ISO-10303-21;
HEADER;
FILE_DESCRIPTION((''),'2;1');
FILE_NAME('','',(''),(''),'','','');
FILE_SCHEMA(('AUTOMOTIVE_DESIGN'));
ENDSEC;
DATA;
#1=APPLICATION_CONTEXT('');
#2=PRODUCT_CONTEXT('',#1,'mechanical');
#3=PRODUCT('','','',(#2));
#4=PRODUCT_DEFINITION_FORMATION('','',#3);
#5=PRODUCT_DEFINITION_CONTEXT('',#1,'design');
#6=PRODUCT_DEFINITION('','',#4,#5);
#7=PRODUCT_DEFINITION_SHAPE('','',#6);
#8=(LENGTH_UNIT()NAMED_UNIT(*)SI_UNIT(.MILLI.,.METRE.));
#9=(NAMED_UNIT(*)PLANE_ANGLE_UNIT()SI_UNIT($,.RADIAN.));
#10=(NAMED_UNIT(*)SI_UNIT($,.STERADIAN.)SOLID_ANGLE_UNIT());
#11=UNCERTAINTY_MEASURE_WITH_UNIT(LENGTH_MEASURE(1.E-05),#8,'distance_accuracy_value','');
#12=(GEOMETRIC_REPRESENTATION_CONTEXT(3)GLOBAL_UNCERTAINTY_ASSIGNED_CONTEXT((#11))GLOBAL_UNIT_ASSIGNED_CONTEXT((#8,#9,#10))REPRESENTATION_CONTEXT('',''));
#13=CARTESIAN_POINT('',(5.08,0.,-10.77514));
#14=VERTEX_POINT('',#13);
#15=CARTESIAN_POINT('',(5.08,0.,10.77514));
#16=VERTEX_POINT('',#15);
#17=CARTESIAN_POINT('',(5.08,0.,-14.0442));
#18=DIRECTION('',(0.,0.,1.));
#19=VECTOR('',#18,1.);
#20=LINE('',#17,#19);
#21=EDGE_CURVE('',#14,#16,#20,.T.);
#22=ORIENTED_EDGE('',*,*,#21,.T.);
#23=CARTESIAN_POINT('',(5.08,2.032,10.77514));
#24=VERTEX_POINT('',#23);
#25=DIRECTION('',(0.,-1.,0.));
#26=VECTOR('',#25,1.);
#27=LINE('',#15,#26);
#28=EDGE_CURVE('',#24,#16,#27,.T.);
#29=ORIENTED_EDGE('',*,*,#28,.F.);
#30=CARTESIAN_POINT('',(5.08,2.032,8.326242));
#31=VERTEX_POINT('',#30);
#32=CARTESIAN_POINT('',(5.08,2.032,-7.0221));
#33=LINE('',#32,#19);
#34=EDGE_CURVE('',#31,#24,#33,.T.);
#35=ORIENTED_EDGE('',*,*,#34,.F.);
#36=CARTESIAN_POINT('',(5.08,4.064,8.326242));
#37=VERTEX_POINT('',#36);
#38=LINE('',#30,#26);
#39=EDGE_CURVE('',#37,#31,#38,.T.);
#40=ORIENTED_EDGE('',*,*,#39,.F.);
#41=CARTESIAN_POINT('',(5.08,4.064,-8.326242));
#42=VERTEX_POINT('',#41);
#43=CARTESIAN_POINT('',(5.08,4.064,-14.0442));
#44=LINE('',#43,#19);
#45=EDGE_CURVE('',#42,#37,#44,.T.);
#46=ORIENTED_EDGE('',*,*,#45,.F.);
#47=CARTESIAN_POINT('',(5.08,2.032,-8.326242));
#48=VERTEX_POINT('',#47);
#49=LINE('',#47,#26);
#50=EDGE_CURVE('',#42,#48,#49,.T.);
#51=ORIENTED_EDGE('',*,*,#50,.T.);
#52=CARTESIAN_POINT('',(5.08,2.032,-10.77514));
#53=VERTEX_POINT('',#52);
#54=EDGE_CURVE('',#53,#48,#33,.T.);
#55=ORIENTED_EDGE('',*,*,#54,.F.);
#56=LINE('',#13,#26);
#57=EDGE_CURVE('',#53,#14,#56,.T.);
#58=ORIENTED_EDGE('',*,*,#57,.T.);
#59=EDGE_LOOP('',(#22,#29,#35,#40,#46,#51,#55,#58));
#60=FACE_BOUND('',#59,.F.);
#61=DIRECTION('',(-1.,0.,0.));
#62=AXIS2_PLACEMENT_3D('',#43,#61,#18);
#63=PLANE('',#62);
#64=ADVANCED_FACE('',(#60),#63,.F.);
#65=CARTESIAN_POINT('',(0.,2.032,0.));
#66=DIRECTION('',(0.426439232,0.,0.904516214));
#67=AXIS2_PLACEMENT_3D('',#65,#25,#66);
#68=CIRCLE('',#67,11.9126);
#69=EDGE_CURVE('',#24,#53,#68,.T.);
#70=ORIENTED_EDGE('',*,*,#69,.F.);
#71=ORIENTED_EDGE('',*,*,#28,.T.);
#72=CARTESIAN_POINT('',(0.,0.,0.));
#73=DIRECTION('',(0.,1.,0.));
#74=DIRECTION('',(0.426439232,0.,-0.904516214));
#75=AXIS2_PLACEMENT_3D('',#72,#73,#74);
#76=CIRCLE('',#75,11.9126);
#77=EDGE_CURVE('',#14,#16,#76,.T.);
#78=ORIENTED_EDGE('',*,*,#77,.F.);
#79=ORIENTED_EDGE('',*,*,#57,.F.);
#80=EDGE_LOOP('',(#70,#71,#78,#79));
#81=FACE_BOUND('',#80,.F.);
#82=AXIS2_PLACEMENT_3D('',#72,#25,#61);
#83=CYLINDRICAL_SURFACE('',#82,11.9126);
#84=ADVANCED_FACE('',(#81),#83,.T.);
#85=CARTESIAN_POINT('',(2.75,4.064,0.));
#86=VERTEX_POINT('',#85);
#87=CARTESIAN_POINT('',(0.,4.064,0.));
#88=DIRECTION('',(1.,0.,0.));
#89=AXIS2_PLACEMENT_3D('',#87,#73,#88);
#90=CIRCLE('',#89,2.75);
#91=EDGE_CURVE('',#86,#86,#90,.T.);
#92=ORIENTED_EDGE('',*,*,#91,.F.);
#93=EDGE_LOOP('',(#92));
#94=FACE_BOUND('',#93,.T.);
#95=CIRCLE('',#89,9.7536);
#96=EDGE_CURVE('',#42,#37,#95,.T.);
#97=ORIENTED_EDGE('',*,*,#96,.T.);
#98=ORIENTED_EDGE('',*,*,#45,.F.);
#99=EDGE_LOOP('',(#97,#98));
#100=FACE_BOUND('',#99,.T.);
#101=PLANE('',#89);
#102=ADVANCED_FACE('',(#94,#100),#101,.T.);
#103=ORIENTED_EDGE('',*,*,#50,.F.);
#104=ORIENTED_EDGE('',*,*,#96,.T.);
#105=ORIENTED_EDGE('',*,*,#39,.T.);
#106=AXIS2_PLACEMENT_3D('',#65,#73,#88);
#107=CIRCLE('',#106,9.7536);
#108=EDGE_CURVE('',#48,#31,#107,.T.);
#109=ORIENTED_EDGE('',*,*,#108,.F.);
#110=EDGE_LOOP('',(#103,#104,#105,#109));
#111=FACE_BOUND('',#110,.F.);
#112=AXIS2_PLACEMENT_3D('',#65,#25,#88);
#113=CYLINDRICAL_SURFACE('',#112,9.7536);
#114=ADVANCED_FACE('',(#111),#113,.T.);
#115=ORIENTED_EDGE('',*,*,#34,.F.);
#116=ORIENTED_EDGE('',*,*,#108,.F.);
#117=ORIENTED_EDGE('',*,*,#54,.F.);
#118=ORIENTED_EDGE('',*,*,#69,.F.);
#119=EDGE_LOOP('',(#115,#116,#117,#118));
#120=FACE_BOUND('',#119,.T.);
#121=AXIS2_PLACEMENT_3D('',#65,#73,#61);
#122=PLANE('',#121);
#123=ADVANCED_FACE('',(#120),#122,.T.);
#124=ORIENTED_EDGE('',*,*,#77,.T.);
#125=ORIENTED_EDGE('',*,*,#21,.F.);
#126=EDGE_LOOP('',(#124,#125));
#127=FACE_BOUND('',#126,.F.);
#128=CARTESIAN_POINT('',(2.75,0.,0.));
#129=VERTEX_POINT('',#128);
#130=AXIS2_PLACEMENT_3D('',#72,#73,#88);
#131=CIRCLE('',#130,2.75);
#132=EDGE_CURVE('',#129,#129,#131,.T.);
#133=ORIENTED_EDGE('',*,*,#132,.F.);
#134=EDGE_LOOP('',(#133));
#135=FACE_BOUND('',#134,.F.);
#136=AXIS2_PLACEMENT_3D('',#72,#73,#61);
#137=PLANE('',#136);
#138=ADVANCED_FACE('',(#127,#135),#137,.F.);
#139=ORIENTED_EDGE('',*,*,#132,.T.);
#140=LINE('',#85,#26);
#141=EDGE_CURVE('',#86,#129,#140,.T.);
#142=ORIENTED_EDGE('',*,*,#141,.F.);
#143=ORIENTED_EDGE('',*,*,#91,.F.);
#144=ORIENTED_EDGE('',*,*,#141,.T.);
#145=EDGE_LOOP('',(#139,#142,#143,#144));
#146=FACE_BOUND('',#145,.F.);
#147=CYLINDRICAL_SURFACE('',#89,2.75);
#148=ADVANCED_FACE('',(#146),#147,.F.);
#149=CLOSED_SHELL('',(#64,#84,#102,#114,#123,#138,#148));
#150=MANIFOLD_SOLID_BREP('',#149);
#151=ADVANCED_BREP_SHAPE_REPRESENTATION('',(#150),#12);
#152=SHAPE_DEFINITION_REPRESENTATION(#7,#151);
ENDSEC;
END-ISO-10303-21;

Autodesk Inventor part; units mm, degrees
ref_plane "YZ Plane" through (0, 0, 0) normal (1, 0, 0) x (0, 1, 0)
ref_plane "XZ Plane" through (0, 0, 0) normal (0, 1, 0) x (-1, 0, 0)
ref_plane "XY Plane" through (0, 0, 0) normal (0, 0, 1) x (1, 0, 0)
sketch "Sketch1" plane through (0, 0, 0) normal (0, 1, 0) x (-1, 0, 0)
  circle A0 centre (0, 0) radius 11.9126
  dimension "d0" = 23.8252
extrude "Extrusion1" add sketch "Sketch1" along normal blind 2.032
sketch "Sketch2" plane through (0, 2.032, 0) normal (0, 1, 0) x (1, 0, 0)
  circle A0 centre (0, 0) radius 9.7536
  dimension "d3" = 19.5072
extrude "Extrusion2" add sketch "Sketch2" along normal blind 2.032
sketch "Sketch3" plane through (0, 4.064, 0) normal (0, 1, 0) x (1, 0, 0)
  circle A0 centre (0, 0) radius 2.75
  dimension "d6" = 5.5
extrude "Extrusion3" cut sketch "Sketch3" against normal blind 4.064
sketch "Sketch4" plane through (0, 4.064, 0) normal (0, 1, 0) x (1, 0, 0)
  line L0 (17.8511, 14.0442) -> (5.08, 14.0442)
  line L1 (5.08, 14.0442) -> (5.08, -15.9032)
  line L2 (5.08, -15.9032) -> (17.8511, -15.9032)
  line L3 (17.8511, -15.9032) -> (17.8511, 14.0442)
  point P0 (0, 0)
  dimension "d9" = 5.08
extrude "Extrusion4" cut sketch "Sketch4" against normal blind 4.064
properties part number "Spring Clamp Large"
